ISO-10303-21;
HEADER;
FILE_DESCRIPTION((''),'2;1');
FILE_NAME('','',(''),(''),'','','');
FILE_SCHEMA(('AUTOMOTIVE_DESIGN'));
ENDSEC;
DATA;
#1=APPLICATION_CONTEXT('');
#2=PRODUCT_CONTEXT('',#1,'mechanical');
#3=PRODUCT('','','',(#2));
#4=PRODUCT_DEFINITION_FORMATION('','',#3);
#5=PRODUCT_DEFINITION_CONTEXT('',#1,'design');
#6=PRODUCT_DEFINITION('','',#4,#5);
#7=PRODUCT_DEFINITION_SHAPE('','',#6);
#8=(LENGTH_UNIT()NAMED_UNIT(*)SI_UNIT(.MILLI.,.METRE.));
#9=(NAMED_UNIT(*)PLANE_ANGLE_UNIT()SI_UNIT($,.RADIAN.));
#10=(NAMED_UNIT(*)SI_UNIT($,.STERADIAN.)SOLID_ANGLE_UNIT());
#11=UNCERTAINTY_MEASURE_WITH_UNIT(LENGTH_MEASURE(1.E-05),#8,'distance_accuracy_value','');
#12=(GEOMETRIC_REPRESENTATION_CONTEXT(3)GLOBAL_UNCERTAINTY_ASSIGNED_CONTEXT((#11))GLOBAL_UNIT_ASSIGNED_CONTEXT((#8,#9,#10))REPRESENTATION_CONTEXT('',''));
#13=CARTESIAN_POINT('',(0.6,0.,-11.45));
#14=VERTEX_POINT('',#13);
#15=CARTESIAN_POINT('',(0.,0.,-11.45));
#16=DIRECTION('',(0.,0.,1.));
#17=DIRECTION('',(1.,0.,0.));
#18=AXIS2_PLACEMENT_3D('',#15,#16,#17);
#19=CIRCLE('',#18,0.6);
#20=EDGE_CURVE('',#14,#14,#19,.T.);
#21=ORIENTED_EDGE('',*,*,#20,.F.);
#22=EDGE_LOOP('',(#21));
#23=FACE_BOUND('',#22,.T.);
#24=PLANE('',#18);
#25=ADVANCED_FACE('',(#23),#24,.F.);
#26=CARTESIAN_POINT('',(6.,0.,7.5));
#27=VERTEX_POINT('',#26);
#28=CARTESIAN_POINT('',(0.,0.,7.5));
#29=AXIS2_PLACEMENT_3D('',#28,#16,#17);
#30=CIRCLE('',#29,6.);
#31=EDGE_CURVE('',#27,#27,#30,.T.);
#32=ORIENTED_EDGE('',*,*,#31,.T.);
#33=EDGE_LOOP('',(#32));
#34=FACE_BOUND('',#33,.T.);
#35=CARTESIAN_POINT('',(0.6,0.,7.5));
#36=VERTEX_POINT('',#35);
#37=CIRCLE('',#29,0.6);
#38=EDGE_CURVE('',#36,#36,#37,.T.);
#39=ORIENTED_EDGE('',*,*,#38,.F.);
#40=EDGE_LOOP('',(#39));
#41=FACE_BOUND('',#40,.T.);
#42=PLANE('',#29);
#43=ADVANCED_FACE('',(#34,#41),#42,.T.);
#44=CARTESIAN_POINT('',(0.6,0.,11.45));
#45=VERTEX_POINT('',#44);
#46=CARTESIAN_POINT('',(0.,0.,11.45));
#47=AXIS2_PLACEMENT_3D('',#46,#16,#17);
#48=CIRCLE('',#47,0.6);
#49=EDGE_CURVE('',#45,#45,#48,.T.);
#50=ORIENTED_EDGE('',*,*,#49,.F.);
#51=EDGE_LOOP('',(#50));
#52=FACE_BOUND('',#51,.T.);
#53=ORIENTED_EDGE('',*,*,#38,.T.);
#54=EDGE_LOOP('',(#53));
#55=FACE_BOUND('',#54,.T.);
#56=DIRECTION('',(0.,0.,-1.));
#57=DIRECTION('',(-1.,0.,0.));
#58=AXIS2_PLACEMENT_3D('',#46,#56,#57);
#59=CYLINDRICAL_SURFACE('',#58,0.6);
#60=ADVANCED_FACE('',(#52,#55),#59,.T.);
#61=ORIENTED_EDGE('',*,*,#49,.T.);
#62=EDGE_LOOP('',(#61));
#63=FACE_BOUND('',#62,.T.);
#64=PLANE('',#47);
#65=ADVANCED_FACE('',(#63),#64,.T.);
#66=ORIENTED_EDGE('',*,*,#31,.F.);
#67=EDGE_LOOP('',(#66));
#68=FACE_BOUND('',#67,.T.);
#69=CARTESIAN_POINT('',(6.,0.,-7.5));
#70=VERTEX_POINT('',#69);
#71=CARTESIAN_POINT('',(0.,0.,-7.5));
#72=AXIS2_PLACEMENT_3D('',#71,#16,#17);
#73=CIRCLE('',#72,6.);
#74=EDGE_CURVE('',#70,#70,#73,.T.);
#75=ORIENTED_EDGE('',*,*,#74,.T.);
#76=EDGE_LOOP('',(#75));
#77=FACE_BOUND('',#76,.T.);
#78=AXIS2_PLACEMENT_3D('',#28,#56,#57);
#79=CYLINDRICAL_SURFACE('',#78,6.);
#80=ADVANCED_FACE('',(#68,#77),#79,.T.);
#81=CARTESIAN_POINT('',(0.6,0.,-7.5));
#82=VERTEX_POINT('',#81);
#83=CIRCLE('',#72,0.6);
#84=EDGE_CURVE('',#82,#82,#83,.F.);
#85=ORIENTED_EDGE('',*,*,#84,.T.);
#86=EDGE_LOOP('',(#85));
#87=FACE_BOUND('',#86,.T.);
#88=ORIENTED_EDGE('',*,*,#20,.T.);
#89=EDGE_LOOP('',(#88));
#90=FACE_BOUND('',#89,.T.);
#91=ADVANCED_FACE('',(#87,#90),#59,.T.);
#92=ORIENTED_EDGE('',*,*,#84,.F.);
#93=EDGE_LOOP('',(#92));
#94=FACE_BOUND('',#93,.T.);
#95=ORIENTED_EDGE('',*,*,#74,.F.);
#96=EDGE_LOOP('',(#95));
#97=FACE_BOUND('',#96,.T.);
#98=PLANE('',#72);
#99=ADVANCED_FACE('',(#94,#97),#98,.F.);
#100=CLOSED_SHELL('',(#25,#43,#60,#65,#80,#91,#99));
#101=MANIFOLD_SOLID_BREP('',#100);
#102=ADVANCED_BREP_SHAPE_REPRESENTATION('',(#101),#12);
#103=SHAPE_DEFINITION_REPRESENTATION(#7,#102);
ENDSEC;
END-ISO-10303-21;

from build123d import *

# Parameters (mm, degrees)
SKETCH1_R           = 6
SKETCH1_R_2         = 0.6
BOSS_EXTRUDE1_DEPTH = 7.5
SKETCH1_2_R         = 0.6
BOSS_EXTRUDE2_DEPTH = 11.45


with BuildPart() as part:
    # Sketch1 → Boss-Extrude1 (new, symmetric)
    with BuildSketch(Plane.XY):
        Circle(SKETCH1_R)
        Circle(SKETCH1_R_2, mode=Mode.SUBTRACT)
    extrude(amount=BOSS_EXTRUDE1_DEPTH, both=True)

    # Sketch1<2> → Boss-Extrude2 (add, symmetric)
    with BuildSketch(Plane.XY):
        Circle(SKETCH1_2_R)
    extrude(amount=BOSS_EXTRUDE2_DEPTH, both=True)


solid = part.part
